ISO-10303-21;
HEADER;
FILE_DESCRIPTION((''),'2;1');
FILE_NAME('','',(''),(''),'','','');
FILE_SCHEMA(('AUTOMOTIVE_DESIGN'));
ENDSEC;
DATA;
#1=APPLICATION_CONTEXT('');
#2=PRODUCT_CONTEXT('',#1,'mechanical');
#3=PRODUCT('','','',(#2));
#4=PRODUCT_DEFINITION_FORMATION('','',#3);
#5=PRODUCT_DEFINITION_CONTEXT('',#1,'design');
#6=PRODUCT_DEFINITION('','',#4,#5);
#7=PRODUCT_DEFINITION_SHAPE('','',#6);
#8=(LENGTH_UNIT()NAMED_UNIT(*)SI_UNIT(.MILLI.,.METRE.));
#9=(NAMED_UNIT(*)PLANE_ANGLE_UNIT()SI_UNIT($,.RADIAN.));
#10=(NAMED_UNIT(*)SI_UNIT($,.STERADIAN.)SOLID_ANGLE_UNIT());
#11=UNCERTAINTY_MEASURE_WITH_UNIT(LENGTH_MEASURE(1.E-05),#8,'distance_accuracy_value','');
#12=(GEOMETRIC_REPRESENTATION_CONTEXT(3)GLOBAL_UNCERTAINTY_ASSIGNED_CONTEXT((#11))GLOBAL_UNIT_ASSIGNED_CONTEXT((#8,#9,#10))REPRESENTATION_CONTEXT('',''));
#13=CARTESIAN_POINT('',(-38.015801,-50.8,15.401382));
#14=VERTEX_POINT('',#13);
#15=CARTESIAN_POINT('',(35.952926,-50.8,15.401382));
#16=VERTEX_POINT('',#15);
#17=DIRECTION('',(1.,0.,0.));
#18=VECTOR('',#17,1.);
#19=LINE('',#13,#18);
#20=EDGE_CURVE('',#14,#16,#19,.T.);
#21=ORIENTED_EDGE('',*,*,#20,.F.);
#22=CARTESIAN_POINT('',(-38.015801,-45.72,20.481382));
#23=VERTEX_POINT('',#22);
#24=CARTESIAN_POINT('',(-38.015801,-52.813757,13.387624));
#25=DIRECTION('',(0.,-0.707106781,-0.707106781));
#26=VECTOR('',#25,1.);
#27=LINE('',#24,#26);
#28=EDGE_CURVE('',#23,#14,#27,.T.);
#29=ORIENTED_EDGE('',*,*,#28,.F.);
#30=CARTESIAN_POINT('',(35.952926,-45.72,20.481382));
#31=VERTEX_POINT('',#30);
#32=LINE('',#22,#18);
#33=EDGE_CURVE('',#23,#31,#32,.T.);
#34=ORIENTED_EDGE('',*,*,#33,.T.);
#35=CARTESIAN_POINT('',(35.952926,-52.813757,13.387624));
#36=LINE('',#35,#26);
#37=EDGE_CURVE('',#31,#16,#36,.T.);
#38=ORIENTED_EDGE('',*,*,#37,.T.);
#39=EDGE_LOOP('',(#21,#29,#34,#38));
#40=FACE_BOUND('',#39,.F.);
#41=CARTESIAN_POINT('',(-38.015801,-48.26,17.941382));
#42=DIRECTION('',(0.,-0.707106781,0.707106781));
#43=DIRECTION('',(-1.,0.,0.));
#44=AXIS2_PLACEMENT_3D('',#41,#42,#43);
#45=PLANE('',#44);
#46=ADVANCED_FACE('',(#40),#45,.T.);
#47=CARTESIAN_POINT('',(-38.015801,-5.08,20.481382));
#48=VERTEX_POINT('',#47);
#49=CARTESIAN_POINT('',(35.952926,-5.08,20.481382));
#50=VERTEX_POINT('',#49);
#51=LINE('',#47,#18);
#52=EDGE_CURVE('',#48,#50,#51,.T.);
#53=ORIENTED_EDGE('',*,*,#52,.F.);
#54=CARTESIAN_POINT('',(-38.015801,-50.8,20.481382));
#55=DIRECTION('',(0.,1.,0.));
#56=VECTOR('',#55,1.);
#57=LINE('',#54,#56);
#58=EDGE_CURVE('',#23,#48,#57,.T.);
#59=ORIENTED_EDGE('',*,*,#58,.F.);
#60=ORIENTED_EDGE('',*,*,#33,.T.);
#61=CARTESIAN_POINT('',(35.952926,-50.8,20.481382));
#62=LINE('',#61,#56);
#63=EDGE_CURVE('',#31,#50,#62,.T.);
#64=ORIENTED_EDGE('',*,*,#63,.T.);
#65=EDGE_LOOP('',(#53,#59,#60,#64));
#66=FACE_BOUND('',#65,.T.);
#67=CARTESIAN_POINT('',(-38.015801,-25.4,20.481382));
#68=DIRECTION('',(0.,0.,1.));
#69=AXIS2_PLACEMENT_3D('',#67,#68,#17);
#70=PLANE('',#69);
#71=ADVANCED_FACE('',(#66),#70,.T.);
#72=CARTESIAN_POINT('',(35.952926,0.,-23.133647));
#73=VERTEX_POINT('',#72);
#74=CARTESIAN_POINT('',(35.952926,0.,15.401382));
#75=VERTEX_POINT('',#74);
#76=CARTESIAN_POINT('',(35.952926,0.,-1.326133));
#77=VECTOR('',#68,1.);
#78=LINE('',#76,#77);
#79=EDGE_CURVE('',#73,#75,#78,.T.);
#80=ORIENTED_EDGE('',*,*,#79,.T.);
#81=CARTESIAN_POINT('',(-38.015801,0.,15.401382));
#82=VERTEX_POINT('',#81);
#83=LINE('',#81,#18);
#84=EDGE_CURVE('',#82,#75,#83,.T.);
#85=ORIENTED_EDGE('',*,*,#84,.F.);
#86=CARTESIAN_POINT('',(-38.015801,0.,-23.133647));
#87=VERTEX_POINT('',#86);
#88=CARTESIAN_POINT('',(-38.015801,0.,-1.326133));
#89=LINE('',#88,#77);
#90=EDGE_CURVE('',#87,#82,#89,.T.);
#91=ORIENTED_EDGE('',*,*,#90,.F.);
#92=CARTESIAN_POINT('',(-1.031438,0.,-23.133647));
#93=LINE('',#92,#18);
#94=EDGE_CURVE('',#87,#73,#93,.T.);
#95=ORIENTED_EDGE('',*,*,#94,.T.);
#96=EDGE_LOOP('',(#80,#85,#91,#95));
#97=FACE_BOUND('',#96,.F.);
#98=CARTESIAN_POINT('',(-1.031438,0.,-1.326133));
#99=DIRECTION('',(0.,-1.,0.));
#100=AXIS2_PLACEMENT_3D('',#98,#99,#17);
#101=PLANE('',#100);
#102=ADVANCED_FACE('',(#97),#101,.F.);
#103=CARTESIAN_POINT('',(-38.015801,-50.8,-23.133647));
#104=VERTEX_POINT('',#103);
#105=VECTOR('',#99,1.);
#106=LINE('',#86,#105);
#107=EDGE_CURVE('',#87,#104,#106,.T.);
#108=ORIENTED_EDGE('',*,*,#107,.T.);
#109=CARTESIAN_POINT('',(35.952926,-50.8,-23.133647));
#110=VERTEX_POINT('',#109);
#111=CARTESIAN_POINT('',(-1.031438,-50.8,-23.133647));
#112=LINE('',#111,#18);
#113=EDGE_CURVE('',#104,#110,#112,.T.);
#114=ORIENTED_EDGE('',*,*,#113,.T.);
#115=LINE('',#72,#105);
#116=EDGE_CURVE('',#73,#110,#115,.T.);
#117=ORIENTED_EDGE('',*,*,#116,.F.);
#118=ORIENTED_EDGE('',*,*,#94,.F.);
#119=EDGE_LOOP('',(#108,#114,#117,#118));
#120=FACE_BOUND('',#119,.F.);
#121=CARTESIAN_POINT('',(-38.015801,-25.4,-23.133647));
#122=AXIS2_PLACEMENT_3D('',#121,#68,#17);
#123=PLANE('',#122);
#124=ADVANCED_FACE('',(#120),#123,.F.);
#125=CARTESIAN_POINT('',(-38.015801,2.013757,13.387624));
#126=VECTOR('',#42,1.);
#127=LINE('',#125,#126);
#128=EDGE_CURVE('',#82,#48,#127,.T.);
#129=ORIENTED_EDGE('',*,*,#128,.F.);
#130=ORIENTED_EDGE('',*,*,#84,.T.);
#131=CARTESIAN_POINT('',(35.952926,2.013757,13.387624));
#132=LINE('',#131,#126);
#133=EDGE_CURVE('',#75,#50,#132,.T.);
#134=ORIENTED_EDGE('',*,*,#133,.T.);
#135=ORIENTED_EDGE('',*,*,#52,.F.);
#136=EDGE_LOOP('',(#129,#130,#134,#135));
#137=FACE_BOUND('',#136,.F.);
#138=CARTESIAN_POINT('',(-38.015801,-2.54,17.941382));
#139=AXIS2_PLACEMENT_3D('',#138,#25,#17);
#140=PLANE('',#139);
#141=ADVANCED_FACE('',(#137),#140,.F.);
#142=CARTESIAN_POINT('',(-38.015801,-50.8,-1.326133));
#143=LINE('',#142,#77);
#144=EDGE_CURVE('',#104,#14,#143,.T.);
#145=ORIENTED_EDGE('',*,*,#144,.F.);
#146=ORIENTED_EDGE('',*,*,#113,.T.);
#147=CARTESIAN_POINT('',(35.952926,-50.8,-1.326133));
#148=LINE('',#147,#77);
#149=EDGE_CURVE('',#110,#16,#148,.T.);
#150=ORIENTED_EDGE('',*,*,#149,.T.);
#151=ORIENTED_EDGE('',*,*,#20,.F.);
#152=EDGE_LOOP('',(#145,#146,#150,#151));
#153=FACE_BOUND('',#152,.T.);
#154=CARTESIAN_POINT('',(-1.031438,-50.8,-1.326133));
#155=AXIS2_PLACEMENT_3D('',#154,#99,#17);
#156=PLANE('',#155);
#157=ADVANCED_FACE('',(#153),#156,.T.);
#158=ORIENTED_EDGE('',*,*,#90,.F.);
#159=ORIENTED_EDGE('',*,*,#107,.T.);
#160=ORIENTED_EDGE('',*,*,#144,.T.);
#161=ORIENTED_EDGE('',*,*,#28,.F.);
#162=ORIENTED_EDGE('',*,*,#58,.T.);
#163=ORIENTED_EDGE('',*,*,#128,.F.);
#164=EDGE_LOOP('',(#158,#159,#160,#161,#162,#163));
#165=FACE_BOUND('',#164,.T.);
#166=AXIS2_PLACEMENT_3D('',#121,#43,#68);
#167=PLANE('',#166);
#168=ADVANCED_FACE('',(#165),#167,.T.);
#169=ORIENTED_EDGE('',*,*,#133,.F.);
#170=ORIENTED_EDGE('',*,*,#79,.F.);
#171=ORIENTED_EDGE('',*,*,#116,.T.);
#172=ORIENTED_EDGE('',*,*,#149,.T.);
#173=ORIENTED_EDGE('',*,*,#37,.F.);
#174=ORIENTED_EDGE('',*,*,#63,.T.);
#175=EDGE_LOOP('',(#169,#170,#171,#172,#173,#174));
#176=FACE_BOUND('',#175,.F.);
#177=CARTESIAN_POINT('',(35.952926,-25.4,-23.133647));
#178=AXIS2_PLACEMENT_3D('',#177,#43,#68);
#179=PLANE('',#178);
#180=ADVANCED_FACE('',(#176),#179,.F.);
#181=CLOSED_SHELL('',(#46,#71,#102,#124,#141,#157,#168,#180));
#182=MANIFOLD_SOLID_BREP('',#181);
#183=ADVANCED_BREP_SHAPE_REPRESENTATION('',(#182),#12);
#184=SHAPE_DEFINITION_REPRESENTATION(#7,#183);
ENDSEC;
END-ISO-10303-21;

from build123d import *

# Parameters (mm, degrees)
F0_W     = 73.9687271416
F0_H     = 43.6150282621
F1_DEPTH = 25.4
F2_DEPTH = 25.4
F3_SIZE  = 5.08
F4_SIZE  = 5.08


with BuildPart() as f1:
    # F0 (on Front) → F1 (new body)
    with BuildSketch(Plane.XZ):
        with Locations((-1.0314378887, -1.3261325657)):
            Rectangle(F0_W, F0_H)
    extrude(amount=F1_DEPTH)

    # F2 (add): a face of the model
    f2_faces = [f1.faces().sort_by_distance(p)[0] for p in [
        (-1.0314378887, -25.4, -1.3261325657),
    ]]
    extrude(f2_faces, amount=F2_DEPTH)

    # F3
    f3_edges = [f1.edges().sort_by_distance(p)[0] for p in [
        (-1.031438, 0, 20.481382),
    ]]
    chamfer(f3_edges, length=F3_SIZE)

    # F4
    f4_edges = [f1.edges().sort_by_distance(p)[0] for p in [
        (-1.031438, -50.8, 20.481382),
    ]]
    chamfer(f4_edges, length=F4_SIZE)


solid = f1.part
